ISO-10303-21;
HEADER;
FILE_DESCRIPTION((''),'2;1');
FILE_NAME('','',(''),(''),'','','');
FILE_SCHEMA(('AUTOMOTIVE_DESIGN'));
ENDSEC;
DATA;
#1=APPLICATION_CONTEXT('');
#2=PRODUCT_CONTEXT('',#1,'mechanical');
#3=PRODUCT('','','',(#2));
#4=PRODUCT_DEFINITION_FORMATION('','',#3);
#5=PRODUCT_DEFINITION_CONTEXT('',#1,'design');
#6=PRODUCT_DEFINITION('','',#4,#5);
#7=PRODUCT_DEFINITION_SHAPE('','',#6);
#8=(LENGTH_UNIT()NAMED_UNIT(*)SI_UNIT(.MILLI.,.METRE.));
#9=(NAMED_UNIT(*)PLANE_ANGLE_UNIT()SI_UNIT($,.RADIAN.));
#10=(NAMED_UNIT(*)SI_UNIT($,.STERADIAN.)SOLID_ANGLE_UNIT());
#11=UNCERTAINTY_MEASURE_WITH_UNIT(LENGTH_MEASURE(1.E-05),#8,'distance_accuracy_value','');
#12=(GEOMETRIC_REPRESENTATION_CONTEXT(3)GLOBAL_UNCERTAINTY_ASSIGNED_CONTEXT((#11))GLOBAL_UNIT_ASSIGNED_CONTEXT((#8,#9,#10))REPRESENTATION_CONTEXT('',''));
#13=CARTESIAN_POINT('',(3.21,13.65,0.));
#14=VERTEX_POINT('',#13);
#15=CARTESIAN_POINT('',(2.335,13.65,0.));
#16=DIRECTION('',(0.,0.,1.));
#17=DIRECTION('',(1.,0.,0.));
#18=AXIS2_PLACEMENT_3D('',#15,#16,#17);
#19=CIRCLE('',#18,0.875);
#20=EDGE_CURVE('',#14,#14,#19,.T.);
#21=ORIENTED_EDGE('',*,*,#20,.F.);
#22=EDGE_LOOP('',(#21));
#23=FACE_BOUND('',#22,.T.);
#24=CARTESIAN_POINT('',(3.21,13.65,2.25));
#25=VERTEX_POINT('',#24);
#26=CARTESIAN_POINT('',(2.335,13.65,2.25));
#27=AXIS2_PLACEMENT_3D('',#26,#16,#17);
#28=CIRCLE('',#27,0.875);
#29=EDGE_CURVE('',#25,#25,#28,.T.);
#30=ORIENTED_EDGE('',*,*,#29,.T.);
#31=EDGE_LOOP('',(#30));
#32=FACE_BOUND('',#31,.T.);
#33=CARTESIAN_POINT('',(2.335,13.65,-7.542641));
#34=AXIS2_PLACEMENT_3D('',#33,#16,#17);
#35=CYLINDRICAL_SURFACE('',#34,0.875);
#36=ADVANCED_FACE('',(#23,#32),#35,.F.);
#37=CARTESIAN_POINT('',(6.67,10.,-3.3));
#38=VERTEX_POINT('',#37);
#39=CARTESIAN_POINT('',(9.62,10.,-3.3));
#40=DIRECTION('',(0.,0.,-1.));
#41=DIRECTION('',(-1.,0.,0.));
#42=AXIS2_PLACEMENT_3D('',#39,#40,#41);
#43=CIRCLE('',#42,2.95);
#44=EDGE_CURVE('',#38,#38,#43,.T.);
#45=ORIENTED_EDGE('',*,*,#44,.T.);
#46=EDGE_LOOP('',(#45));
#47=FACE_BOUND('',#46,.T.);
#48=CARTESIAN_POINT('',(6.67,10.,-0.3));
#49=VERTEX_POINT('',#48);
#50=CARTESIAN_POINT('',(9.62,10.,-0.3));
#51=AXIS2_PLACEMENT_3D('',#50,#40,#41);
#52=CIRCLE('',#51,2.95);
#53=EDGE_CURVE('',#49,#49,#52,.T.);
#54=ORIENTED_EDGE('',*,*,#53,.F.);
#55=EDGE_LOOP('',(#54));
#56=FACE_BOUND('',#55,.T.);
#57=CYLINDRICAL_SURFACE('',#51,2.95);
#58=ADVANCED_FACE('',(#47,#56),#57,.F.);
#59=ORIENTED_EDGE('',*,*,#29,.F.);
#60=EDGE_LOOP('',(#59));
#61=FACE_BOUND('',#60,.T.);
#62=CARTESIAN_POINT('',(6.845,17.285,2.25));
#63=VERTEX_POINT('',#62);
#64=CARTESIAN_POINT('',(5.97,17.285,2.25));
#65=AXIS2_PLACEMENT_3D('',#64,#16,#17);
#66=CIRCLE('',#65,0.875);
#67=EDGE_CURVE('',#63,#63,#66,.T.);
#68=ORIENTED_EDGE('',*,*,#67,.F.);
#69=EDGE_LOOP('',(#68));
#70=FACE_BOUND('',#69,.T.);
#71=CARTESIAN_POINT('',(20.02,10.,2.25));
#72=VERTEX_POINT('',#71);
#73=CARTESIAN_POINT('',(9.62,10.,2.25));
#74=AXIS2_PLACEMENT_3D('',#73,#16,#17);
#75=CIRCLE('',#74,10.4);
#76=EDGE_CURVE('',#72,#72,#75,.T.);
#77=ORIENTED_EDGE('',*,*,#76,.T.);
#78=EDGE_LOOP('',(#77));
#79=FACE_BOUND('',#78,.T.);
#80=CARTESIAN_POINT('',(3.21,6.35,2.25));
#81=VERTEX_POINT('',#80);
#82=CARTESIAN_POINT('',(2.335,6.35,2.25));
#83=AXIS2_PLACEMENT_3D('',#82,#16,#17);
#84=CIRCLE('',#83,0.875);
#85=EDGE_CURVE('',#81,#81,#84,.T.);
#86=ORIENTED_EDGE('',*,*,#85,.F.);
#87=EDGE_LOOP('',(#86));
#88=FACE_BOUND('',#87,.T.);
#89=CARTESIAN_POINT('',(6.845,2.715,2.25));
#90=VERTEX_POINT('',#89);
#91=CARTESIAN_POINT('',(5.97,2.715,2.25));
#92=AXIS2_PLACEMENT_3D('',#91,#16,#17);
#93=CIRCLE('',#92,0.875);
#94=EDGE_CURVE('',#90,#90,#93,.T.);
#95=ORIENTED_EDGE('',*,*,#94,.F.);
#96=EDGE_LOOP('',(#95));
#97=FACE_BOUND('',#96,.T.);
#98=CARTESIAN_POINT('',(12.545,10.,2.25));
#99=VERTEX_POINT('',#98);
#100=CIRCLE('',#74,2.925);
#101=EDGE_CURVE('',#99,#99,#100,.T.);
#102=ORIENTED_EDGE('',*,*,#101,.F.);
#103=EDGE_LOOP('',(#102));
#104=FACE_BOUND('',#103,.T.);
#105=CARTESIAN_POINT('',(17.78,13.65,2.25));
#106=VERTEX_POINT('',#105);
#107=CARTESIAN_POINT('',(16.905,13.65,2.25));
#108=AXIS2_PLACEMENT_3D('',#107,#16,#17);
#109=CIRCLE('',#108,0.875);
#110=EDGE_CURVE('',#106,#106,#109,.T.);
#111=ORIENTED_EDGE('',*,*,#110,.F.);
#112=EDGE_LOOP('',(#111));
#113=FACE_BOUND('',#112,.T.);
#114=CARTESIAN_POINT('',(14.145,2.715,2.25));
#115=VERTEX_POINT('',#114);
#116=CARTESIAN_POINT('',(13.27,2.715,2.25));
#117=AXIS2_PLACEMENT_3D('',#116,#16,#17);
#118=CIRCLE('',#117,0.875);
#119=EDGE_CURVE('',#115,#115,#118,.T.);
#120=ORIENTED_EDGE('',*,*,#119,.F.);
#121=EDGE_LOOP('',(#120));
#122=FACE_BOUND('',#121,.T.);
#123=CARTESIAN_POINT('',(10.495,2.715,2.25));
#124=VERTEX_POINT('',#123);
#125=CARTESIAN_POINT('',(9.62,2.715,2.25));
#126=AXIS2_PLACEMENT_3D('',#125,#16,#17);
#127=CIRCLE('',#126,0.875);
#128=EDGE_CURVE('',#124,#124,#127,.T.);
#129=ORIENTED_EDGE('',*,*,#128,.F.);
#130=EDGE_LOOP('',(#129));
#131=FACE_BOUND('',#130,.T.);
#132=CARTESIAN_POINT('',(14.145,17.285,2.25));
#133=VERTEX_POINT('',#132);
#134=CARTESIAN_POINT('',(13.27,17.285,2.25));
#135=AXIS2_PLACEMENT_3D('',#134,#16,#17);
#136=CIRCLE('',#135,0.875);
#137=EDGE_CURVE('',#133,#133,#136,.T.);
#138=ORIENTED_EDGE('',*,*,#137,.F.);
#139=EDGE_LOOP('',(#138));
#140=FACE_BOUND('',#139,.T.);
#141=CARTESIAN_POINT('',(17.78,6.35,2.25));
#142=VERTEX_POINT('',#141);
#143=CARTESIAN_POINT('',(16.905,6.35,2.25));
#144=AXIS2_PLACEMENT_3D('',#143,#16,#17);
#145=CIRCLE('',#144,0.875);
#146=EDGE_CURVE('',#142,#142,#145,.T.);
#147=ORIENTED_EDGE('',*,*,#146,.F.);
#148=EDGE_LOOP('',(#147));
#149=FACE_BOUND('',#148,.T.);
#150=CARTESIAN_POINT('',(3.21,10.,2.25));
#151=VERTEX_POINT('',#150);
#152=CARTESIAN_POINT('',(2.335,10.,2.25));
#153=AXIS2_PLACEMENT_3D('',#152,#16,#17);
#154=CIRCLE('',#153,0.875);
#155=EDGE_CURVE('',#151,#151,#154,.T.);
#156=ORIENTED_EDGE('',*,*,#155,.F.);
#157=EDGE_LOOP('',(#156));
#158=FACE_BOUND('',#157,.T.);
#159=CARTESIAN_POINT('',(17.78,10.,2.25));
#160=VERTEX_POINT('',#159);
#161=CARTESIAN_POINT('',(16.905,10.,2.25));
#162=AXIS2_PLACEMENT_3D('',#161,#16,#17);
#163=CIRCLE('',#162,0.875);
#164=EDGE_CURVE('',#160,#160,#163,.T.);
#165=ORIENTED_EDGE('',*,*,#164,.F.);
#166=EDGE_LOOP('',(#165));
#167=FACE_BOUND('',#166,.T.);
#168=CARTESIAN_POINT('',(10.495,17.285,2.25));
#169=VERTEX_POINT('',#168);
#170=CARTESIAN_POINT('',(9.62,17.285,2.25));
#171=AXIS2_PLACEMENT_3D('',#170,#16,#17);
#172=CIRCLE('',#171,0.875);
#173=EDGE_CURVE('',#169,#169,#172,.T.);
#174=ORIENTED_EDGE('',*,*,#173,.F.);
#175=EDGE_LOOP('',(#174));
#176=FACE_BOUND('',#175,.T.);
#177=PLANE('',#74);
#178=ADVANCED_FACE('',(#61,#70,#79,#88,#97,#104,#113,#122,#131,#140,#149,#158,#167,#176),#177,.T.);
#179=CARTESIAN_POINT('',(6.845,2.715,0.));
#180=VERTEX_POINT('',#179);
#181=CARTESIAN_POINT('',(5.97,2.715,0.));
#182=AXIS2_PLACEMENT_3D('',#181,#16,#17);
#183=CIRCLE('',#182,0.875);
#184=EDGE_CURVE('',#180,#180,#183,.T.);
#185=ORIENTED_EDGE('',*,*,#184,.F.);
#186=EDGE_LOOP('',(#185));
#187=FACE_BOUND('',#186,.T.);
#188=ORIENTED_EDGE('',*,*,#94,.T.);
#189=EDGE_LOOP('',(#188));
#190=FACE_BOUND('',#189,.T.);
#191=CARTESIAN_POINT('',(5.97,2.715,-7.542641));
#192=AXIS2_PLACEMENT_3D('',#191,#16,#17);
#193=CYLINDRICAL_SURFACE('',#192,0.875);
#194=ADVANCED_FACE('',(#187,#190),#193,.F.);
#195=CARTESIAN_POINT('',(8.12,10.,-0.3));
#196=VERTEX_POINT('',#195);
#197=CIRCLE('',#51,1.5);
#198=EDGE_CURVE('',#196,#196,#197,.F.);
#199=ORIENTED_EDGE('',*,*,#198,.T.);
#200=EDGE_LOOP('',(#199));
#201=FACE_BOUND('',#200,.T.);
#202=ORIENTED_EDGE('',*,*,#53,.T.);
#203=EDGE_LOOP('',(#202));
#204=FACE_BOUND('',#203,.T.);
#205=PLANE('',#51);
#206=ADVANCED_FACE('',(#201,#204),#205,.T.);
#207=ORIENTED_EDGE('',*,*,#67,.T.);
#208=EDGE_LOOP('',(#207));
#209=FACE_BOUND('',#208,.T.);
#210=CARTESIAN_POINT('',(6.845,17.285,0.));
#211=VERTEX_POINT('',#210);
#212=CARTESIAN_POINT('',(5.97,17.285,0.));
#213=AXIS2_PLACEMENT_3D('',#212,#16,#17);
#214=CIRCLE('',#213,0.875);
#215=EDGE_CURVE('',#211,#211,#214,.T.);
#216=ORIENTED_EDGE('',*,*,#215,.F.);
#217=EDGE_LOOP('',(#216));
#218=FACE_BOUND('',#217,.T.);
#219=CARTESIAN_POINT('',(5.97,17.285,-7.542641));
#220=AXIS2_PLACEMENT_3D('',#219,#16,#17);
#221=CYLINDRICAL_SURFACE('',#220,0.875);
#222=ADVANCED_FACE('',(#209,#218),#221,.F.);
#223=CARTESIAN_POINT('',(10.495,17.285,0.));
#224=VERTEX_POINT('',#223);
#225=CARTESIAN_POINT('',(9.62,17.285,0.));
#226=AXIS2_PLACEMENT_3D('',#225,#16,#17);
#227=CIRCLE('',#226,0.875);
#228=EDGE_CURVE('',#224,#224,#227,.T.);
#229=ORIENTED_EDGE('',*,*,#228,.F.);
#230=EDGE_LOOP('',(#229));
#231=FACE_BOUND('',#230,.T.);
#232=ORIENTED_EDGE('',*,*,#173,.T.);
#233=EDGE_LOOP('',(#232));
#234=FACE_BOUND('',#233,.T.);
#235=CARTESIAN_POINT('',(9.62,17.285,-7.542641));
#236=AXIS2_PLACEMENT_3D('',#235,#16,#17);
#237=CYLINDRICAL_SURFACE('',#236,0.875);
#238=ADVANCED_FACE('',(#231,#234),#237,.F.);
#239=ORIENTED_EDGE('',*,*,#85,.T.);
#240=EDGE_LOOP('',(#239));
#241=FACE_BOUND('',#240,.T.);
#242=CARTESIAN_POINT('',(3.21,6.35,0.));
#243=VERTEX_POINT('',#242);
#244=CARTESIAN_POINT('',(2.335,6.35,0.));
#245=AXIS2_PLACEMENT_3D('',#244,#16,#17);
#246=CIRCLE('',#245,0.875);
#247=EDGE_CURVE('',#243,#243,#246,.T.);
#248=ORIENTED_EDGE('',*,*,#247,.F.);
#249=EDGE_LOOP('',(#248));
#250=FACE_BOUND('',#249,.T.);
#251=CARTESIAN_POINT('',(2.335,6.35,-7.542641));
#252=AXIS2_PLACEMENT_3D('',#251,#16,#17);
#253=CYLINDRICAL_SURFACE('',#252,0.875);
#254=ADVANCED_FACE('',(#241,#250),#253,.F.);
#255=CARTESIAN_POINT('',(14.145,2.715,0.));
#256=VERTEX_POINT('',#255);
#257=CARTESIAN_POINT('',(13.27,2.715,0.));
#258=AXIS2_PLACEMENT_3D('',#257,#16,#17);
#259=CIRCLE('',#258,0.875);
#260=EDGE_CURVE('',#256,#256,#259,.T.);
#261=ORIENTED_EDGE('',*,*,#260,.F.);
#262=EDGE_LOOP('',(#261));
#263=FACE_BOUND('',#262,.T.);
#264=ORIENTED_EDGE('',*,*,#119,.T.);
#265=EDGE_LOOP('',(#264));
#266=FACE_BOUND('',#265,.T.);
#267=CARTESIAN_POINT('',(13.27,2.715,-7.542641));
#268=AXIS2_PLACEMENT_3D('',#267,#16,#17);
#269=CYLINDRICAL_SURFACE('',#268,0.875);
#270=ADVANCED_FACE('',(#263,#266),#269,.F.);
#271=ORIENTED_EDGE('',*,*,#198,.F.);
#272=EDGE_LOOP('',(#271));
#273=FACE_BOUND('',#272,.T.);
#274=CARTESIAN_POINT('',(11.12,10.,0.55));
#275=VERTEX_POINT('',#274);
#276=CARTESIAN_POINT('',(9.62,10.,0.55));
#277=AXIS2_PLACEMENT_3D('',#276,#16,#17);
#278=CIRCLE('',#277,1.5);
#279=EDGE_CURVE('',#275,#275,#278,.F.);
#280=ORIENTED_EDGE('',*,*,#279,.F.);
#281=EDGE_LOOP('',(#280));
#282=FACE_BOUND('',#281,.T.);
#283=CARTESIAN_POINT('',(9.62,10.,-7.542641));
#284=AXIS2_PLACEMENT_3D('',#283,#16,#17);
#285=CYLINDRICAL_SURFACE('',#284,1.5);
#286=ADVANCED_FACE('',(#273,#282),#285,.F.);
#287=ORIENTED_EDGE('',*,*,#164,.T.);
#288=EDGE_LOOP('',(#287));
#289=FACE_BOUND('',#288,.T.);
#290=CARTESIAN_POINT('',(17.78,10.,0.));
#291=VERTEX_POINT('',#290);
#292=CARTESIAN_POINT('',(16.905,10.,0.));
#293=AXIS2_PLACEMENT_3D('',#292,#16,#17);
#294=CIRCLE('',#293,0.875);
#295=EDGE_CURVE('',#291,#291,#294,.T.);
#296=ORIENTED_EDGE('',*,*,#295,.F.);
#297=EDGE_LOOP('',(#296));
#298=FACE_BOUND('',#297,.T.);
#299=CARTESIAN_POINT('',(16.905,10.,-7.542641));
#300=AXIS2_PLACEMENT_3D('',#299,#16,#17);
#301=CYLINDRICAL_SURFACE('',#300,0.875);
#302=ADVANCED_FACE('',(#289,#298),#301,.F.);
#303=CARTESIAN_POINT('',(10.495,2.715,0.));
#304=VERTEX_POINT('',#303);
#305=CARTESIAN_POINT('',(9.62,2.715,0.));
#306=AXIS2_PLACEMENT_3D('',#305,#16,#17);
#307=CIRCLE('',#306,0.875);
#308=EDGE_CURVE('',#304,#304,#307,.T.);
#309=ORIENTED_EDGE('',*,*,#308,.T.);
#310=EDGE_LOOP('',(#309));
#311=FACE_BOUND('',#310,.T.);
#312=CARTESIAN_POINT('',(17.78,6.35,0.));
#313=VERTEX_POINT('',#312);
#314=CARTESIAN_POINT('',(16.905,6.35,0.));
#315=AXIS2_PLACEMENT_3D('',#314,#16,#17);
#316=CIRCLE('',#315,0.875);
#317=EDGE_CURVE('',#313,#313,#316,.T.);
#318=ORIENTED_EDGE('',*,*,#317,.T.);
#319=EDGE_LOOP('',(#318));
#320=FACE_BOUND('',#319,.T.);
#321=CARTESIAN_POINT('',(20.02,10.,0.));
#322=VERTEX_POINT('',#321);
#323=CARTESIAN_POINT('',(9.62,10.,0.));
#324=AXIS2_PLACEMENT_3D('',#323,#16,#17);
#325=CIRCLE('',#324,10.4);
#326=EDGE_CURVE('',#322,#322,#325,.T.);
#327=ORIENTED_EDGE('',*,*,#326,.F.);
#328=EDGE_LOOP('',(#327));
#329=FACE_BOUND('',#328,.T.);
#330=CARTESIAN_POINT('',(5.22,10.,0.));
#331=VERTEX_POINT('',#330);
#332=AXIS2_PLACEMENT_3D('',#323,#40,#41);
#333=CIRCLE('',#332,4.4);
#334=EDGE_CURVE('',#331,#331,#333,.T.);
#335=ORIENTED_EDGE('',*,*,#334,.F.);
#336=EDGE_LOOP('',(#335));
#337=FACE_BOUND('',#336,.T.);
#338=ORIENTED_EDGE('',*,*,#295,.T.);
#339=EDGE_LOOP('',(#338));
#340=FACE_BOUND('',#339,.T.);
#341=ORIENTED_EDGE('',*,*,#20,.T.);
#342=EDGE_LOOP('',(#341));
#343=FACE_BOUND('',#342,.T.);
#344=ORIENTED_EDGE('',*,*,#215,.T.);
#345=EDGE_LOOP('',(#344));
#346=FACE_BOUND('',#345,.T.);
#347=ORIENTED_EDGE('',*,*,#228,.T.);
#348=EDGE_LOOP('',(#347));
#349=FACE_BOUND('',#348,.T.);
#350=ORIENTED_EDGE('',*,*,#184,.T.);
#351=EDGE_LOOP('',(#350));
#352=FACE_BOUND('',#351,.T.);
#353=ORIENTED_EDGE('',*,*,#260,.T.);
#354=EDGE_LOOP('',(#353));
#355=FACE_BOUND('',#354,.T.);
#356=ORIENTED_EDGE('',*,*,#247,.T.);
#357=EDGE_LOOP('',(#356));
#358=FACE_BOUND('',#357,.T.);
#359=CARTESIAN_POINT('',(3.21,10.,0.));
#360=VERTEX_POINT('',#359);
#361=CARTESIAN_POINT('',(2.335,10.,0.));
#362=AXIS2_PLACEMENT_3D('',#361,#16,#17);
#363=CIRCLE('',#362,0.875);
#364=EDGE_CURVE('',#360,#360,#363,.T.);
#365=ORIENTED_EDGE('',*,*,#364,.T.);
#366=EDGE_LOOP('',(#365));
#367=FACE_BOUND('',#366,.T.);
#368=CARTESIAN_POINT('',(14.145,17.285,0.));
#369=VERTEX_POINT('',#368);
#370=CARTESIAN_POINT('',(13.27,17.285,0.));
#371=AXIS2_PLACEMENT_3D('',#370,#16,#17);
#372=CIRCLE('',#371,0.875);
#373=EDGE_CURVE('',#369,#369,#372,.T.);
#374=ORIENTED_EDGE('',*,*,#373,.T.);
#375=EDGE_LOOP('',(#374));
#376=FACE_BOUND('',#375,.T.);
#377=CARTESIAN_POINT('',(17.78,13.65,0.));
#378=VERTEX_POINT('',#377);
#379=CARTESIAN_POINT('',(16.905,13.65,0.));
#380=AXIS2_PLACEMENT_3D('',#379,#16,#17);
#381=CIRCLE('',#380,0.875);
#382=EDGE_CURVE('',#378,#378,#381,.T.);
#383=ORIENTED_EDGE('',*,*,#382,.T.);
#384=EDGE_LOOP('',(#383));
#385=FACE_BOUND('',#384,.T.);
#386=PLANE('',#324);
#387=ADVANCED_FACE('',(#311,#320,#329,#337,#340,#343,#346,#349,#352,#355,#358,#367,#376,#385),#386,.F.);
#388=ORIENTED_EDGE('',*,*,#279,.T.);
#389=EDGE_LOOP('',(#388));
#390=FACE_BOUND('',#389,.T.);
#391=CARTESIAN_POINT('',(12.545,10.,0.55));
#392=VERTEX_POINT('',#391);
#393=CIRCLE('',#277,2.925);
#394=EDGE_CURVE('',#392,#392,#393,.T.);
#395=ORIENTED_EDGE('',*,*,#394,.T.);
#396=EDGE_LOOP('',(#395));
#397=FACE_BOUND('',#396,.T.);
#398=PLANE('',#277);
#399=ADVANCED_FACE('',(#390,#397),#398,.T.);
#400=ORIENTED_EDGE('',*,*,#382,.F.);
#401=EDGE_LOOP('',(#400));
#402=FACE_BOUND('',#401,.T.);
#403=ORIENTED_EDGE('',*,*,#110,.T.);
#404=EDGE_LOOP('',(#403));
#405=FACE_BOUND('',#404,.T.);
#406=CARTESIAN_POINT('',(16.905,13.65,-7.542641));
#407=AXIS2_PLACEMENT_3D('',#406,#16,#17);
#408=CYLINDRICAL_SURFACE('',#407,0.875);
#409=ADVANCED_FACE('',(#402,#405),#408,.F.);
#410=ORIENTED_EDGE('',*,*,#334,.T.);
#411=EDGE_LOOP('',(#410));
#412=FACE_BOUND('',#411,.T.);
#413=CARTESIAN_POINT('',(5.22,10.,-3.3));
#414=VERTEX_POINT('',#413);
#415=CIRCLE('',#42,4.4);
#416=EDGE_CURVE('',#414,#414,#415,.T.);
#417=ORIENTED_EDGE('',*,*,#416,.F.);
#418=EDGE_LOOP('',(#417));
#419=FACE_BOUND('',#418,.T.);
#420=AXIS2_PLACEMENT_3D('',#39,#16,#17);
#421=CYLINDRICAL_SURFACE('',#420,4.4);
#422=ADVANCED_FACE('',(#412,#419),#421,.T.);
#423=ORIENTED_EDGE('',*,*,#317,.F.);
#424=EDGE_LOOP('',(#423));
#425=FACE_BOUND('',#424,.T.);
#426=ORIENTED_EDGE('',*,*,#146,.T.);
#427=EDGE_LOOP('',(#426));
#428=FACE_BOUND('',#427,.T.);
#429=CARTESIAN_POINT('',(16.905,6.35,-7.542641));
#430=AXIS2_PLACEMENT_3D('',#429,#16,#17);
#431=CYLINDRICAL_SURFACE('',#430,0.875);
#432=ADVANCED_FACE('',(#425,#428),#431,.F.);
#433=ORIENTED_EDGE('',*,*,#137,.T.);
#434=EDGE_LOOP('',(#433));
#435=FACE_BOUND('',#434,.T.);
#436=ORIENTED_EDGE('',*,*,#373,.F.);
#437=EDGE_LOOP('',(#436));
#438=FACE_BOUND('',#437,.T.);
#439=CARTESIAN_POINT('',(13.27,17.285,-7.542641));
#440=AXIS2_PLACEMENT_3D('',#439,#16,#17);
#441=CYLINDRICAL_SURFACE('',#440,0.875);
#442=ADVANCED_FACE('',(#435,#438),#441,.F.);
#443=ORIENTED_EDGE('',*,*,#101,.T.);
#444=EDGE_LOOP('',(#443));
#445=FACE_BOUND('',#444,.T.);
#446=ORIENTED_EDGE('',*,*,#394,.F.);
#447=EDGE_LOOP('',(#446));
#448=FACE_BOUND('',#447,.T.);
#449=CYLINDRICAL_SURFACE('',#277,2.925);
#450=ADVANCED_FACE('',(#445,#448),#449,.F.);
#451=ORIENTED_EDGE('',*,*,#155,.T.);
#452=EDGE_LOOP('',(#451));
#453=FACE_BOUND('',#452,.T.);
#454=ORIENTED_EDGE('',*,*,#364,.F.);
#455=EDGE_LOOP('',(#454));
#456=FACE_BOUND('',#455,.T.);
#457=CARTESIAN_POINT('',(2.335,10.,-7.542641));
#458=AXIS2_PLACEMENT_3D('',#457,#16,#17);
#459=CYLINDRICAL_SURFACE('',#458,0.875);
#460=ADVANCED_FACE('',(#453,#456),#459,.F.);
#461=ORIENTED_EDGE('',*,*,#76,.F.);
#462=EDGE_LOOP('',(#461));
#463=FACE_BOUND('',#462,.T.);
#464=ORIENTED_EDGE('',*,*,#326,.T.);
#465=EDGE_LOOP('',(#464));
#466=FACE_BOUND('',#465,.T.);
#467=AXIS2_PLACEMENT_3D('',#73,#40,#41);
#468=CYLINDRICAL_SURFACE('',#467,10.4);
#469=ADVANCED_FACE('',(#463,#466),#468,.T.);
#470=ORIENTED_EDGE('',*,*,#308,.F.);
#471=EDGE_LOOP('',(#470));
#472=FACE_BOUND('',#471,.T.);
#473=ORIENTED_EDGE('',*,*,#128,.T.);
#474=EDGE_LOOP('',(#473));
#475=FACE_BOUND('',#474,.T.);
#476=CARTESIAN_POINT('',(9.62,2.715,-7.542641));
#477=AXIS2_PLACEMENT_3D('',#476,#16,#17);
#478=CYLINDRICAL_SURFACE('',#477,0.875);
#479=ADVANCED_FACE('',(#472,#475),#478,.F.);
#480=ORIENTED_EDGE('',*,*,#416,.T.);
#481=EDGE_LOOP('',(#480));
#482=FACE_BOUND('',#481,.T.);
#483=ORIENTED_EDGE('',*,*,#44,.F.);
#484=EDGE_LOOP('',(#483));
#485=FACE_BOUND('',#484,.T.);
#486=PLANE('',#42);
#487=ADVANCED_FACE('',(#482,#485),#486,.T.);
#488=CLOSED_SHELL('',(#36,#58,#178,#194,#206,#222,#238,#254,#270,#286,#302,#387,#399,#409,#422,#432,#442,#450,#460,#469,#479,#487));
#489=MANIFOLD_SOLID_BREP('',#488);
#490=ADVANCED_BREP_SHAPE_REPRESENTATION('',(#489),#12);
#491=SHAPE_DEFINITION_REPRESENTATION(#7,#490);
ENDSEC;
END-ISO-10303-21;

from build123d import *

# Parameters (mm, degrees)
SKETCH1_R           = 10.4
BOSS_EXTRUDE1_DEPTH = 2.25
SKETCH2_R           = 4.4
BOSS_EXTRUDE2_DEPTH = 3.3
SKETCH3_R           = 1.5
SKETCH3_R_2         = 0.875
CUT_EXTRUDE1_DEPTH  = 5.55
SKETCH4_R           = 2.925
CUT_EXTRUDE2_DEPTH  = 1.7
SKETCH5_R           = 2.95
CUT_EXTRUDE3_DEPTH  = 3


with BuildPart() as part:
    # Sketch1 → Boss-Extrude1 (new body)
    with BuildSketch(Plane.XY):
        with Locations((9.62, 10)):
            Circle(SKETCH1_R)
    extrude(amount=BOSS_EXTRUDE1_DEPTH)

    # Sketch2 → Boss-Extrude2 (add)
    with BuildSketch(Plane(origin=(0, 0, 0), x_dir=(-1, 0, 0), z_dir=(0, 0, -1))):
        with Locations((-9.62, 10)):
            Circle(SKETCH2_R)
    extrude(amount=BOSS_EXTRUDE2_DEPTH)

    # Sketch3 → Cut-Extrude1 (cut)
    with BuildSketch(Plane.XY.offset(2.25)):
        with Locations((9.62, 10)):
            Circle(SKETCH3_R)
        with Locations((9.62, 2.715)):
            Circle(SKETCH3_R_2)
        with Locations((5.97, 2.715)):
            Circle(SKETCH3_R_2)
        with Locations((13.27, 2.715)):
            Circle(SKETCH3_R_2)
        with Locations((2.335, 6.35)):
            Circle(SKETCH3_R_2)
        with Locations((2.335, 10)):
            Circle(SKETCH3_R_2)
        with Locations((2.335, 13.65)):
            Circle(SKETCH3_R_2)
        with Locations((5.97, 17.285)):
            Circle(SKETCH3_R_2)
        with Locations((9.62, 17.285)):
            Circle(SKETCH3_R_2)
        with Locations((13.27, 17.285)):
            Circle(SKETCH3_R_2)
        with Locations((16.905, 13.65)):
            Circle(SKETCH3_R_2)
        with Locations((16.905, 10)):
            Circle(SKETCH3_R_2)
        with Locations((16.905, 6.35)):
            Circle(SKETCH3_R_2)
    extrude(amount=-CUT_EXTRUDE1_DEPTH, mode=Mode.SUBTRACT)

    # Sketch4 → Cut-Extrude2 (cut)
    with BuildSketch(Plane.XY.offset(2.25)):
        with Locations((9.62, 10)):
            Circle(SKETCH4_R)
    extrude(amount=-CUT_EXTRUDE2_DEPTH, mode=Mode.SUBTRACT)

    # Sketch5 → Cut-Extrude3 (cut)
    with BuildSketch(Plane(origin=(0, 0, -3.3), x_dir=(-1, 0, 0), z_dir=(0, 0, -1))):
        with Locations((-9.62, 10)):
            Circle(SKETCH5_R)
    extrude(amount=-CUT_EXTRUDE3_DEPTH, mode=Mode.SUBTRACT)


solid = part.part
